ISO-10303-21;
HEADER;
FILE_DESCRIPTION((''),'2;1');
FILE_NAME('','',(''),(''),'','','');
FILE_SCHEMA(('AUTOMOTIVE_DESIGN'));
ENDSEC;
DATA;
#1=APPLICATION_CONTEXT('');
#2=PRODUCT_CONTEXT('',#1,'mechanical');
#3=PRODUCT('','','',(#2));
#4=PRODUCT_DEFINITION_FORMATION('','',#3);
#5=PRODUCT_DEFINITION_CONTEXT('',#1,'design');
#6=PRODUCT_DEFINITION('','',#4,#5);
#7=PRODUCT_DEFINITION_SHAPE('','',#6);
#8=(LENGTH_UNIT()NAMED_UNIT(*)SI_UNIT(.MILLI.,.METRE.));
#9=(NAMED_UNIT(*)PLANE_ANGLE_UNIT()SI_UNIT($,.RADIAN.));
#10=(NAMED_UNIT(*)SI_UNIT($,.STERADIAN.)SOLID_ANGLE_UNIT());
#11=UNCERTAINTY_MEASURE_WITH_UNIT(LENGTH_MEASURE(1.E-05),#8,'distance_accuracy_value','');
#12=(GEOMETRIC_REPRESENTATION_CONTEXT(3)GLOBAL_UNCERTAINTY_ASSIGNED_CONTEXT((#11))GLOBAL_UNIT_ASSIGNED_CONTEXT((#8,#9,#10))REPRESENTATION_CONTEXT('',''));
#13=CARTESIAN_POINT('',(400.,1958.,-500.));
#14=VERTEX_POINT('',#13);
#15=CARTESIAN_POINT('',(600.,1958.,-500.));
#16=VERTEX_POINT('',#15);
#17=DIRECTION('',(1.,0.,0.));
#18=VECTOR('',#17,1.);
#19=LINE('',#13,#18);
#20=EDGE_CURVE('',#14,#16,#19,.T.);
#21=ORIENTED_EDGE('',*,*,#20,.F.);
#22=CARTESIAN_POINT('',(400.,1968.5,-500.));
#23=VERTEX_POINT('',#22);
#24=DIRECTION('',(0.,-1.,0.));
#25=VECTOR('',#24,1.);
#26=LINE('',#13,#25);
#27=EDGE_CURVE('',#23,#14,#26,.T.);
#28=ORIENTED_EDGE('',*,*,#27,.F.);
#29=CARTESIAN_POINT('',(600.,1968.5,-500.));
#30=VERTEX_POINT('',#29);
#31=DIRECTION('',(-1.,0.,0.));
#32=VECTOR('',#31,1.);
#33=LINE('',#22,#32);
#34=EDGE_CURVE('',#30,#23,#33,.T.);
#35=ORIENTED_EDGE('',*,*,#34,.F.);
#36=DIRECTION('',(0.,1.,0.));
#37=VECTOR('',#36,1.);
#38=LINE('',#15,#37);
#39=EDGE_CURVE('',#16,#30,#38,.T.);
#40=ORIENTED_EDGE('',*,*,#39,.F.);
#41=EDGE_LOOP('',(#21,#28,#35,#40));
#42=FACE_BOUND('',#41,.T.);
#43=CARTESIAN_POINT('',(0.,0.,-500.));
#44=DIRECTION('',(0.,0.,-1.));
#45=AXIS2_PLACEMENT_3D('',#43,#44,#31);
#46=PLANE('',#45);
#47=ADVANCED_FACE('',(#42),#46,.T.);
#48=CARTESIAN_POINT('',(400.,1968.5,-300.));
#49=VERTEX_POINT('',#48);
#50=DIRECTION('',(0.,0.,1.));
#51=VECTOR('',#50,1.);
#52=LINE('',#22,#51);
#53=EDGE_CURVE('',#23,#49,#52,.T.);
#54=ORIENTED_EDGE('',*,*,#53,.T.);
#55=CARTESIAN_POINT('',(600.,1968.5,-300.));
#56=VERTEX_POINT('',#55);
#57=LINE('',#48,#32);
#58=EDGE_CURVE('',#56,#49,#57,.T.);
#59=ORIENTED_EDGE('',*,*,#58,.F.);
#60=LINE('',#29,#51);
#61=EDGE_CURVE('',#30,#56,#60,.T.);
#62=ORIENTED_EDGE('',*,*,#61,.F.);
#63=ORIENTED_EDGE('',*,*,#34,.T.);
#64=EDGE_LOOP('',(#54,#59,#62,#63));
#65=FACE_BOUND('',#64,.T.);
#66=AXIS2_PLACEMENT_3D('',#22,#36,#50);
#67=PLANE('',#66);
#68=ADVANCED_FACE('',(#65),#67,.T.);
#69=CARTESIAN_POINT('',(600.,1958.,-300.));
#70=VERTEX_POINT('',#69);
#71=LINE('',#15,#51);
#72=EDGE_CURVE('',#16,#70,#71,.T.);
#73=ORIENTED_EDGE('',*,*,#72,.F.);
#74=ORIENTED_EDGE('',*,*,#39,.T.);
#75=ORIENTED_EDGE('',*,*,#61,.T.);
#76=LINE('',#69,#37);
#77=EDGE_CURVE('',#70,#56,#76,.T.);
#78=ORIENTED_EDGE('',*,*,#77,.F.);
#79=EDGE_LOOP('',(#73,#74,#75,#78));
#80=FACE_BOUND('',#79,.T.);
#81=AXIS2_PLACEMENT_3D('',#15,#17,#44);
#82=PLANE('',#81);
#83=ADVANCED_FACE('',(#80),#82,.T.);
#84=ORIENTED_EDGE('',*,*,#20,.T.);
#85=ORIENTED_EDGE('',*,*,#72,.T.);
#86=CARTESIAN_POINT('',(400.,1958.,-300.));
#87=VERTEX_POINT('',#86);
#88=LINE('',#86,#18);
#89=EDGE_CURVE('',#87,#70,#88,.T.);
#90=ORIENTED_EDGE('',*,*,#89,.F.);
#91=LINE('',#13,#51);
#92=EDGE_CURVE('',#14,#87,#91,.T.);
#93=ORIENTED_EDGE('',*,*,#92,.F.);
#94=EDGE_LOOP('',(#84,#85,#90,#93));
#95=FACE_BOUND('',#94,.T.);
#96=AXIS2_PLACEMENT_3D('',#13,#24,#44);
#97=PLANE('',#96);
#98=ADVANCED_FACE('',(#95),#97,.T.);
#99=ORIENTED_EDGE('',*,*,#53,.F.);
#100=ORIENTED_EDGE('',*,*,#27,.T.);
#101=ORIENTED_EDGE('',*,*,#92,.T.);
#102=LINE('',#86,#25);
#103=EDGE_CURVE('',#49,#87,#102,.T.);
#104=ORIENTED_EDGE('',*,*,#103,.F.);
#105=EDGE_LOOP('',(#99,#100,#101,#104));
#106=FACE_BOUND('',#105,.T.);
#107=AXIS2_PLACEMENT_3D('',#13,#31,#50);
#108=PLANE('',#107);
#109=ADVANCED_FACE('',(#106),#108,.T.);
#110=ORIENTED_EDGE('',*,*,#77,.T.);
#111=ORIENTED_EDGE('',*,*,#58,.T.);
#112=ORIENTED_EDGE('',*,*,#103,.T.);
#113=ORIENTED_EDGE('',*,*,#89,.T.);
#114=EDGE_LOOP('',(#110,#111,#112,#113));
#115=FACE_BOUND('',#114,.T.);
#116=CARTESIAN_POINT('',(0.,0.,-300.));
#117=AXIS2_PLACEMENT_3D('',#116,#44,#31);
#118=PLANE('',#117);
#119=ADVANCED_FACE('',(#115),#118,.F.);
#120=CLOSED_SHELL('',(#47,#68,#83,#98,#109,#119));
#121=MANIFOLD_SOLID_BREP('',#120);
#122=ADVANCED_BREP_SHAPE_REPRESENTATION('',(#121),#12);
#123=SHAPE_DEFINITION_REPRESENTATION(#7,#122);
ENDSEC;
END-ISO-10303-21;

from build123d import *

# Parameters (mm, degrees)
OVEN_EGZOZ_IZGARASI_UST_1_START = -300
SKETCH1_W                       = 200
SKETCH1_H                       = 10.5
OVEN_EGZOZ_IZGARASI_UST_1_DEPTH = 200


with BuildPart() as part:
    # Sketch1 → OVEN_egzoz_izgarasi_ust_1 (new body)
    with BuildSketch(Plane.XY.offset(OVEN_EGZOZ_IZGARASI_UST_1_START)):
        with Locations((500, 1963.25)):
            Rectangle(SKETCH1_W, SKETCH1_H)
    extrude(amount=-OVEN_EGZOZ_IZGARASI_UST_1_DEPTH)


solid = part.part
